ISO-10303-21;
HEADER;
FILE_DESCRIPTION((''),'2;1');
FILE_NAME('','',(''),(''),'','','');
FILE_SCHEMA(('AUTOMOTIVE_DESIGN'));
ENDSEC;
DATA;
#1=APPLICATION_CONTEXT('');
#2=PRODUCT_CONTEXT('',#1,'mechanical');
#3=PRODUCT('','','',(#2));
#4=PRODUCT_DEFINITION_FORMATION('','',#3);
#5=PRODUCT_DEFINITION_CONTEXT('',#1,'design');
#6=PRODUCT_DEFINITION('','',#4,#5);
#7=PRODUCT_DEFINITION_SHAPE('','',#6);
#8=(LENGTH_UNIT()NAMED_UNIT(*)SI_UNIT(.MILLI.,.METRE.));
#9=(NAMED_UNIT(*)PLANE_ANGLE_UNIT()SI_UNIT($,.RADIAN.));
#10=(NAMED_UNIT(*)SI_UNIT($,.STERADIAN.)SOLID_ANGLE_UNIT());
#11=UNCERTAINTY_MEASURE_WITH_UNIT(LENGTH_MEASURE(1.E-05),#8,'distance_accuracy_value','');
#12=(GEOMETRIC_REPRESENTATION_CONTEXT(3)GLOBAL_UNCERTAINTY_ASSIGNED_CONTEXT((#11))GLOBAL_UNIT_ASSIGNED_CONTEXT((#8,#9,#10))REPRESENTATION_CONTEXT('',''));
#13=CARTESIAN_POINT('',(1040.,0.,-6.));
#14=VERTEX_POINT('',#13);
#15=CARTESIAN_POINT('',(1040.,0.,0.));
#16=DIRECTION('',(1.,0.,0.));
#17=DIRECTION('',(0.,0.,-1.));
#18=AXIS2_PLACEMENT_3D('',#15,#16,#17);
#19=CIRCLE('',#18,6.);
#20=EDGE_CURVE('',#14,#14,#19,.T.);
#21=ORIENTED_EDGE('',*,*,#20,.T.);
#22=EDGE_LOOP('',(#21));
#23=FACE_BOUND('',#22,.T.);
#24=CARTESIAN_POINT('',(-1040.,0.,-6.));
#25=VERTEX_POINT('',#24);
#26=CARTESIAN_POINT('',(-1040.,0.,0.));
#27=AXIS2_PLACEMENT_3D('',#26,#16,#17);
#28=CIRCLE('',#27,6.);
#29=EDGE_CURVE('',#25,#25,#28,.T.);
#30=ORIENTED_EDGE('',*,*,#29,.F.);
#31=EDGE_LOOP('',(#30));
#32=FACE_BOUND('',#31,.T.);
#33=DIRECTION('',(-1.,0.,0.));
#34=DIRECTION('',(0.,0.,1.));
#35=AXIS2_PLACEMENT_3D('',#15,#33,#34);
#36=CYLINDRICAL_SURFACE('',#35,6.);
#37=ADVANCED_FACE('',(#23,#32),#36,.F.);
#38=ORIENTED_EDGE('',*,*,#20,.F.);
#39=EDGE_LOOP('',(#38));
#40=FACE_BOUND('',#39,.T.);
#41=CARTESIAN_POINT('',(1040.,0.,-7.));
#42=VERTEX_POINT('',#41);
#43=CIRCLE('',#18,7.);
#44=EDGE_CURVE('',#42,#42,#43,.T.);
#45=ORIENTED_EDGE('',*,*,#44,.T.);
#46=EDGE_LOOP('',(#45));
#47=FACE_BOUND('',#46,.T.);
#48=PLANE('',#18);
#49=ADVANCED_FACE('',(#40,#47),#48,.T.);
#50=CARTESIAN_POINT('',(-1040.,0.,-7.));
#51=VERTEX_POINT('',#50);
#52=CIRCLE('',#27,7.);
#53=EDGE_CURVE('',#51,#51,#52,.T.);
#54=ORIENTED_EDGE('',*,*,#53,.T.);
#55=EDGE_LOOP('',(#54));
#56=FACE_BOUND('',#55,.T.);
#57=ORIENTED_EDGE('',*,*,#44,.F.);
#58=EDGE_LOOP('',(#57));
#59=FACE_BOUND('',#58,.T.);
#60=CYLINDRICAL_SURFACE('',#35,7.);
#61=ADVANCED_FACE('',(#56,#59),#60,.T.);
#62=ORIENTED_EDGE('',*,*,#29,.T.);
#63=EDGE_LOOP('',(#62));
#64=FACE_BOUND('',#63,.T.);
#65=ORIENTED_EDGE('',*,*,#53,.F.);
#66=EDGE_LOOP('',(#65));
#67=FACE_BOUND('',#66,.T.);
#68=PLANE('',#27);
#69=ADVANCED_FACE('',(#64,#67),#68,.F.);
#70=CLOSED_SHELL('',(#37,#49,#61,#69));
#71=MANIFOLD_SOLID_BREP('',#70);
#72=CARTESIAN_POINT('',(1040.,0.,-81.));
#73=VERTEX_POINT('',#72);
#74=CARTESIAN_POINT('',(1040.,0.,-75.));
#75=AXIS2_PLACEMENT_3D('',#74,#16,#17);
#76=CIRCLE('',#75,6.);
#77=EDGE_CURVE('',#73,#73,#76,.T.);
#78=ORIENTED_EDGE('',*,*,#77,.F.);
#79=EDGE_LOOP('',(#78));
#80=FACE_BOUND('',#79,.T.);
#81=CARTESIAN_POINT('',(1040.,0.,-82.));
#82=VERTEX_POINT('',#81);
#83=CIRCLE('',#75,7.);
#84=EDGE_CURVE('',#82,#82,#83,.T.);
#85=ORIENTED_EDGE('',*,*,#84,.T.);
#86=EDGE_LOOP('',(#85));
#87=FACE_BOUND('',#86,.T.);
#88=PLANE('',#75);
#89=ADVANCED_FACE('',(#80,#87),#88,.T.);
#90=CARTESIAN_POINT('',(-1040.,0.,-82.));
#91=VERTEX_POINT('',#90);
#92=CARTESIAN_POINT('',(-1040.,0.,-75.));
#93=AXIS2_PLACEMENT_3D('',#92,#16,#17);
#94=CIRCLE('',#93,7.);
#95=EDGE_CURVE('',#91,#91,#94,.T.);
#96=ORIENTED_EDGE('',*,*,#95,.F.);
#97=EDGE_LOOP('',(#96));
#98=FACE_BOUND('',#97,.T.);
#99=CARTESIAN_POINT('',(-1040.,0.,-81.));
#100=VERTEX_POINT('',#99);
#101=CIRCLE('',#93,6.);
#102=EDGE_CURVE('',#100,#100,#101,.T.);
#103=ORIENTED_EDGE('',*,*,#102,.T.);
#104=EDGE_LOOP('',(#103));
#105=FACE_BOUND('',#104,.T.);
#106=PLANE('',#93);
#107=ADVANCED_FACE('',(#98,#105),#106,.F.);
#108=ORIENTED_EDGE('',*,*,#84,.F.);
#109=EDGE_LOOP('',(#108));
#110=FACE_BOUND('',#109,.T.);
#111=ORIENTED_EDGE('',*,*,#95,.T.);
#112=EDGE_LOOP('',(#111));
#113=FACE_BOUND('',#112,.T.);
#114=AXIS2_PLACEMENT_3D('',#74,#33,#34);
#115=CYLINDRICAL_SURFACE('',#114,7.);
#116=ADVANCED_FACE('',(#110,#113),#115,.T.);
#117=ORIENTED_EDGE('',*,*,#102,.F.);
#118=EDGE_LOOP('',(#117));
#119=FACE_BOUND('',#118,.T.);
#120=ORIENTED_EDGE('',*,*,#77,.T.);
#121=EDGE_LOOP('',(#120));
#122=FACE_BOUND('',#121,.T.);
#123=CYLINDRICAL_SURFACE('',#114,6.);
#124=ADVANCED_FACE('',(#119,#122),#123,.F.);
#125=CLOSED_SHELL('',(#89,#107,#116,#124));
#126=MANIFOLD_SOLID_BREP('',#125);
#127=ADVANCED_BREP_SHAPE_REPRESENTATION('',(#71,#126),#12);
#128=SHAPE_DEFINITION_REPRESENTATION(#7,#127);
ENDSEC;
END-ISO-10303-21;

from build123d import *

# Parameters (mm, degrees)
SKETCH2_R             = 7
SKETCH2_R_2           = 6
BOSS_EXTRUDE1_DEPTH   = 1040
BOSS_EXTRUDE1_2_DEPTH = 1040


with BuildPart() as part:
    # Sketch2 → Boss-Extrude1 (new, symmetric)
    with BuildSketch(Plane(origin=(0, 0, 0), x_dir=(0, 0, -1), z_dir=(1, 0, 0))):
        Circle(SKETCH2_R)
        Circle(SKETCH2_R_2, mode=Mode.SUBTRACT)
    extrude(amount=BOSS_EXTRUDE1_DEPTH, both=True)


with BuildPart() as body_2:
    # Sketch2 → Boss-Extrude1 2 (new, symmetric)
    with BuildSketch(Plane(origin=(0, 0, 0), x_dir=(0, 0, -1), z_dir=(1, 0, 0))):
        with Locations((75, 0)):
            Circle(SKETCH2_R)
        with Locations((75, 0)):
            Circle(SKETCH2_R_2, mode=Mode.SUBTRACT)
    extrude(amount=BOSS_EXTRUDE1_2_DEPTH, both=True)


solid = Compound([part.part, body_2.part])
